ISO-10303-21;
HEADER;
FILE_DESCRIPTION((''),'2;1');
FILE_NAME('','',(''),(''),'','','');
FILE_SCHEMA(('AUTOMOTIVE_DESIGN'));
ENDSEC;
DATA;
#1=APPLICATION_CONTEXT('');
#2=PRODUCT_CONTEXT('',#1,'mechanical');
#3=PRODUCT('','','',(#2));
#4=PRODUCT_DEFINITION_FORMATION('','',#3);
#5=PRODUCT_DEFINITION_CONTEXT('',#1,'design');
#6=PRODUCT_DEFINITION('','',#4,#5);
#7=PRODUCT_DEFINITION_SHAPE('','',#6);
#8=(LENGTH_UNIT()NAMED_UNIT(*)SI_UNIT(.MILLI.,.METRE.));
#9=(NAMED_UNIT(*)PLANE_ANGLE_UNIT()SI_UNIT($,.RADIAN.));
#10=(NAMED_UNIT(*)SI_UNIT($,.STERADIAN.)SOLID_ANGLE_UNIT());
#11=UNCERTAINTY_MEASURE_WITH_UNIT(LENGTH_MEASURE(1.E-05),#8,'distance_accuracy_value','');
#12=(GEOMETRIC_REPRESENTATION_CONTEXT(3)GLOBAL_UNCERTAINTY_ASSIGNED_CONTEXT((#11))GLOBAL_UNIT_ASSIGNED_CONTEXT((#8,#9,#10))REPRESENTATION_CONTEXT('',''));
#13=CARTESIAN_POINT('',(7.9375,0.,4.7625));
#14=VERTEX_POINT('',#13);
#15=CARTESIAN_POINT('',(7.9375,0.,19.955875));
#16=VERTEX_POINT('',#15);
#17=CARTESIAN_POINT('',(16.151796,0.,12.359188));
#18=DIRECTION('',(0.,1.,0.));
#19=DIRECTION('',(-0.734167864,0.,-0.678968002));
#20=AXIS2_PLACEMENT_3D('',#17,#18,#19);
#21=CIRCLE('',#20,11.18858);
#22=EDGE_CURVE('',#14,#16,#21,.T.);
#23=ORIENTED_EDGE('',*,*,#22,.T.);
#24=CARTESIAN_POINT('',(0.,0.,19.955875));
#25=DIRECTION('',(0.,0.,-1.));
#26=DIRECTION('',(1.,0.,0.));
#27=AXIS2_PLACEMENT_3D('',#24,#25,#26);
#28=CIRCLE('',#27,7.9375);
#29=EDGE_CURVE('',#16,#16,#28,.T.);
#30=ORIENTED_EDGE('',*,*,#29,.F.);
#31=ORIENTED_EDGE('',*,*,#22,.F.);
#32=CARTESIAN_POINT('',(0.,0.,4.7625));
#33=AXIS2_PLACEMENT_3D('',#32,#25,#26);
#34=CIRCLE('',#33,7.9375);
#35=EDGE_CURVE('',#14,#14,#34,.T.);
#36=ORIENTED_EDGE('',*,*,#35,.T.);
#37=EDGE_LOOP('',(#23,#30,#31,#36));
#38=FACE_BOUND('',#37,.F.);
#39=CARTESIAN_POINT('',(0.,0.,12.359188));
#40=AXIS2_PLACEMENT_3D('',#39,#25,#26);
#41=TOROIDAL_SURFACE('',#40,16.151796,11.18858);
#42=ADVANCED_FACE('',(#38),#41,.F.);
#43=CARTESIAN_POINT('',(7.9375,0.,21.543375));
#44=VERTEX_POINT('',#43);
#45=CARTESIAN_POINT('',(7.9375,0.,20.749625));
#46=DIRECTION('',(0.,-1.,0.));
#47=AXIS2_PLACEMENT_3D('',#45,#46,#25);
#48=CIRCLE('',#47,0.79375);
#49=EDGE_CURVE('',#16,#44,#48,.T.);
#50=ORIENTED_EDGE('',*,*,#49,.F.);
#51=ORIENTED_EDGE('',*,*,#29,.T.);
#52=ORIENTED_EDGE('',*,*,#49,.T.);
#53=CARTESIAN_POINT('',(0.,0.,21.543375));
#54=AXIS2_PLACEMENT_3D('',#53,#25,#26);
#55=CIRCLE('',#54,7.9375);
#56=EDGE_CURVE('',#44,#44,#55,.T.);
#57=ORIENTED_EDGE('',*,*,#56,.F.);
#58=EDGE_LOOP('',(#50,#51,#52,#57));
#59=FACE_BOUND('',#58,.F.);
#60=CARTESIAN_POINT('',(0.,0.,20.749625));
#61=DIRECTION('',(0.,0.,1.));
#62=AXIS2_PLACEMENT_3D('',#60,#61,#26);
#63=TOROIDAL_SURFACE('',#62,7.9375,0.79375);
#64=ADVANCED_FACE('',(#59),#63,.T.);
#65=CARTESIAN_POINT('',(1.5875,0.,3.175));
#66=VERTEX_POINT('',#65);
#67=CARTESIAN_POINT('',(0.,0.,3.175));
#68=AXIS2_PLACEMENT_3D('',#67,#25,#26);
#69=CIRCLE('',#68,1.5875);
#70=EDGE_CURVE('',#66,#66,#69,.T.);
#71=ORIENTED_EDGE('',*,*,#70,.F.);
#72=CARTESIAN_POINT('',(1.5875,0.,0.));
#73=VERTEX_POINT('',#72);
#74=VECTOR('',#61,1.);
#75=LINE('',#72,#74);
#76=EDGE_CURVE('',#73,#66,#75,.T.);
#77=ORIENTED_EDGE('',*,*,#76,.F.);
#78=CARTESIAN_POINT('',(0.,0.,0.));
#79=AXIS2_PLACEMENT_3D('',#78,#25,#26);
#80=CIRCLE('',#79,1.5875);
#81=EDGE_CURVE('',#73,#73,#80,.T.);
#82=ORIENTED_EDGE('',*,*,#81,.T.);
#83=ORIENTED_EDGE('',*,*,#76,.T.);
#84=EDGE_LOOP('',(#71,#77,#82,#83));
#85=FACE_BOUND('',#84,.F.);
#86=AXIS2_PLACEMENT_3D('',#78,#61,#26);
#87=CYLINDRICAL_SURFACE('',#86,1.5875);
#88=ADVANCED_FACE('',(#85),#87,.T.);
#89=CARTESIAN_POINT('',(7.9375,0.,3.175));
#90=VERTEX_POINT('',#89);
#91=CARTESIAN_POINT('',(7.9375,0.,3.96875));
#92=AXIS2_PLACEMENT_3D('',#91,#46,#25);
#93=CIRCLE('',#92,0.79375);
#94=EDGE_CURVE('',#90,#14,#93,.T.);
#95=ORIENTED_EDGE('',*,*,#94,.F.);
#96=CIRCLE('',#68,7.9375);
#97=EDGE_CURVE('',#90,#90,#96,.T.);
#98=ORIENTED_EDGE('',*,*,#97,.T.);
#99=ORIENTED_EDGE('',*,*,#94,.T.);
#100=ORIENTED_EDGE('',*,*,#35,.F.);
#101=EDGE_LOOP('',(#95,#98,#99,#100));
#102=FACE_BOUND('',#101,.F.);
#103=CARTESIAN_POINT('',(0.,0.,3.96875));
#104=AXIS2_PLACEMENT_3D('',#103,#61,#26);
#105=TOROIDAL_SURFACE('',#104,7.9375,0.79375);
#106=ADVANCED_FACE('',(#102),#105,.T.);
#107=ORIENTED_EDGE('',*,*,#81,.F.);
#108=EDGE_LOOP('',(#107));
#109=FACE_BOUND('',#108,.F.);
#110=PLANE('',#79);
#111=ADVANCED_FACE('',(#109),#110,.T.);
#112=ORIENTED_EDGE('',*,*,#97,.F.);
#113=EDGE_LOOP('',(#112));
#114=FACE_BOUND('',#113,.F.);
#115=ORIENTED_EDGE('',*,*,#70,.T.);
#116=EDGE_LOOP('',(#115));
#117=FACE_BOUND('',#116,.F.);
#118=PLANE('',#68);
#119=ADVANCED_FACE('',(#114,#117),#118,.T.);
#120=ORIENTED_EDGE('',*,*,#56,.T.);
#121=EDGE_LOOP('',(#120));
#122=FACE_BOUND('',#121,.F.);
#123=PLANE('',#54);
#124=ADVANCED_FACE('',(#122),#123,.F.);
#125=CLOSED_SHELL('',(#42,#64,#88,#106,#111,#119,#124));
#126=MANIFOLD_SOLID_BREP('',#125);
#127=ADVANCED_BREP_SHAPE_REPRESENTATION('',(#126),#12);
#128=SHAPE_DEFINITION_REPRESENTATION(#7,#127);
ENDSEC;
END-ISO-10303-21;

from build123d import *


with BuildPart() as f1:
    # F0 (on Front) → F1 (revolve)
    with BuildSketch(Plane.XZ):
        with BuildLine():
            Line((0, 21.543375), (0, 0))
            Line((0, 0), (1.5875, 0))
            Line((1.5875, 0), (1.5875, 3.175))
            Line((1.5875, 3.175), (7.9375, 3.175))
            ThreePointArc((7.9375, 3.175), (8.73125, 3.96875), (7.9375, 4.7625))
            ThreePointArc((7.9375, 4.7625), (4.963216, 12.359188), (7.9375, 19.955875))
            ThreePointArc((7.9375, 19.955875), (8.73125, 20.749625), (7.9375, 21.543375))
            Line((7.9375, 21.543375), (0, 21.543375))
        make_face()
    revolve(axis=Axis((0, 0, 10.771688), (0, 0, -1)))


solid = f1.part
